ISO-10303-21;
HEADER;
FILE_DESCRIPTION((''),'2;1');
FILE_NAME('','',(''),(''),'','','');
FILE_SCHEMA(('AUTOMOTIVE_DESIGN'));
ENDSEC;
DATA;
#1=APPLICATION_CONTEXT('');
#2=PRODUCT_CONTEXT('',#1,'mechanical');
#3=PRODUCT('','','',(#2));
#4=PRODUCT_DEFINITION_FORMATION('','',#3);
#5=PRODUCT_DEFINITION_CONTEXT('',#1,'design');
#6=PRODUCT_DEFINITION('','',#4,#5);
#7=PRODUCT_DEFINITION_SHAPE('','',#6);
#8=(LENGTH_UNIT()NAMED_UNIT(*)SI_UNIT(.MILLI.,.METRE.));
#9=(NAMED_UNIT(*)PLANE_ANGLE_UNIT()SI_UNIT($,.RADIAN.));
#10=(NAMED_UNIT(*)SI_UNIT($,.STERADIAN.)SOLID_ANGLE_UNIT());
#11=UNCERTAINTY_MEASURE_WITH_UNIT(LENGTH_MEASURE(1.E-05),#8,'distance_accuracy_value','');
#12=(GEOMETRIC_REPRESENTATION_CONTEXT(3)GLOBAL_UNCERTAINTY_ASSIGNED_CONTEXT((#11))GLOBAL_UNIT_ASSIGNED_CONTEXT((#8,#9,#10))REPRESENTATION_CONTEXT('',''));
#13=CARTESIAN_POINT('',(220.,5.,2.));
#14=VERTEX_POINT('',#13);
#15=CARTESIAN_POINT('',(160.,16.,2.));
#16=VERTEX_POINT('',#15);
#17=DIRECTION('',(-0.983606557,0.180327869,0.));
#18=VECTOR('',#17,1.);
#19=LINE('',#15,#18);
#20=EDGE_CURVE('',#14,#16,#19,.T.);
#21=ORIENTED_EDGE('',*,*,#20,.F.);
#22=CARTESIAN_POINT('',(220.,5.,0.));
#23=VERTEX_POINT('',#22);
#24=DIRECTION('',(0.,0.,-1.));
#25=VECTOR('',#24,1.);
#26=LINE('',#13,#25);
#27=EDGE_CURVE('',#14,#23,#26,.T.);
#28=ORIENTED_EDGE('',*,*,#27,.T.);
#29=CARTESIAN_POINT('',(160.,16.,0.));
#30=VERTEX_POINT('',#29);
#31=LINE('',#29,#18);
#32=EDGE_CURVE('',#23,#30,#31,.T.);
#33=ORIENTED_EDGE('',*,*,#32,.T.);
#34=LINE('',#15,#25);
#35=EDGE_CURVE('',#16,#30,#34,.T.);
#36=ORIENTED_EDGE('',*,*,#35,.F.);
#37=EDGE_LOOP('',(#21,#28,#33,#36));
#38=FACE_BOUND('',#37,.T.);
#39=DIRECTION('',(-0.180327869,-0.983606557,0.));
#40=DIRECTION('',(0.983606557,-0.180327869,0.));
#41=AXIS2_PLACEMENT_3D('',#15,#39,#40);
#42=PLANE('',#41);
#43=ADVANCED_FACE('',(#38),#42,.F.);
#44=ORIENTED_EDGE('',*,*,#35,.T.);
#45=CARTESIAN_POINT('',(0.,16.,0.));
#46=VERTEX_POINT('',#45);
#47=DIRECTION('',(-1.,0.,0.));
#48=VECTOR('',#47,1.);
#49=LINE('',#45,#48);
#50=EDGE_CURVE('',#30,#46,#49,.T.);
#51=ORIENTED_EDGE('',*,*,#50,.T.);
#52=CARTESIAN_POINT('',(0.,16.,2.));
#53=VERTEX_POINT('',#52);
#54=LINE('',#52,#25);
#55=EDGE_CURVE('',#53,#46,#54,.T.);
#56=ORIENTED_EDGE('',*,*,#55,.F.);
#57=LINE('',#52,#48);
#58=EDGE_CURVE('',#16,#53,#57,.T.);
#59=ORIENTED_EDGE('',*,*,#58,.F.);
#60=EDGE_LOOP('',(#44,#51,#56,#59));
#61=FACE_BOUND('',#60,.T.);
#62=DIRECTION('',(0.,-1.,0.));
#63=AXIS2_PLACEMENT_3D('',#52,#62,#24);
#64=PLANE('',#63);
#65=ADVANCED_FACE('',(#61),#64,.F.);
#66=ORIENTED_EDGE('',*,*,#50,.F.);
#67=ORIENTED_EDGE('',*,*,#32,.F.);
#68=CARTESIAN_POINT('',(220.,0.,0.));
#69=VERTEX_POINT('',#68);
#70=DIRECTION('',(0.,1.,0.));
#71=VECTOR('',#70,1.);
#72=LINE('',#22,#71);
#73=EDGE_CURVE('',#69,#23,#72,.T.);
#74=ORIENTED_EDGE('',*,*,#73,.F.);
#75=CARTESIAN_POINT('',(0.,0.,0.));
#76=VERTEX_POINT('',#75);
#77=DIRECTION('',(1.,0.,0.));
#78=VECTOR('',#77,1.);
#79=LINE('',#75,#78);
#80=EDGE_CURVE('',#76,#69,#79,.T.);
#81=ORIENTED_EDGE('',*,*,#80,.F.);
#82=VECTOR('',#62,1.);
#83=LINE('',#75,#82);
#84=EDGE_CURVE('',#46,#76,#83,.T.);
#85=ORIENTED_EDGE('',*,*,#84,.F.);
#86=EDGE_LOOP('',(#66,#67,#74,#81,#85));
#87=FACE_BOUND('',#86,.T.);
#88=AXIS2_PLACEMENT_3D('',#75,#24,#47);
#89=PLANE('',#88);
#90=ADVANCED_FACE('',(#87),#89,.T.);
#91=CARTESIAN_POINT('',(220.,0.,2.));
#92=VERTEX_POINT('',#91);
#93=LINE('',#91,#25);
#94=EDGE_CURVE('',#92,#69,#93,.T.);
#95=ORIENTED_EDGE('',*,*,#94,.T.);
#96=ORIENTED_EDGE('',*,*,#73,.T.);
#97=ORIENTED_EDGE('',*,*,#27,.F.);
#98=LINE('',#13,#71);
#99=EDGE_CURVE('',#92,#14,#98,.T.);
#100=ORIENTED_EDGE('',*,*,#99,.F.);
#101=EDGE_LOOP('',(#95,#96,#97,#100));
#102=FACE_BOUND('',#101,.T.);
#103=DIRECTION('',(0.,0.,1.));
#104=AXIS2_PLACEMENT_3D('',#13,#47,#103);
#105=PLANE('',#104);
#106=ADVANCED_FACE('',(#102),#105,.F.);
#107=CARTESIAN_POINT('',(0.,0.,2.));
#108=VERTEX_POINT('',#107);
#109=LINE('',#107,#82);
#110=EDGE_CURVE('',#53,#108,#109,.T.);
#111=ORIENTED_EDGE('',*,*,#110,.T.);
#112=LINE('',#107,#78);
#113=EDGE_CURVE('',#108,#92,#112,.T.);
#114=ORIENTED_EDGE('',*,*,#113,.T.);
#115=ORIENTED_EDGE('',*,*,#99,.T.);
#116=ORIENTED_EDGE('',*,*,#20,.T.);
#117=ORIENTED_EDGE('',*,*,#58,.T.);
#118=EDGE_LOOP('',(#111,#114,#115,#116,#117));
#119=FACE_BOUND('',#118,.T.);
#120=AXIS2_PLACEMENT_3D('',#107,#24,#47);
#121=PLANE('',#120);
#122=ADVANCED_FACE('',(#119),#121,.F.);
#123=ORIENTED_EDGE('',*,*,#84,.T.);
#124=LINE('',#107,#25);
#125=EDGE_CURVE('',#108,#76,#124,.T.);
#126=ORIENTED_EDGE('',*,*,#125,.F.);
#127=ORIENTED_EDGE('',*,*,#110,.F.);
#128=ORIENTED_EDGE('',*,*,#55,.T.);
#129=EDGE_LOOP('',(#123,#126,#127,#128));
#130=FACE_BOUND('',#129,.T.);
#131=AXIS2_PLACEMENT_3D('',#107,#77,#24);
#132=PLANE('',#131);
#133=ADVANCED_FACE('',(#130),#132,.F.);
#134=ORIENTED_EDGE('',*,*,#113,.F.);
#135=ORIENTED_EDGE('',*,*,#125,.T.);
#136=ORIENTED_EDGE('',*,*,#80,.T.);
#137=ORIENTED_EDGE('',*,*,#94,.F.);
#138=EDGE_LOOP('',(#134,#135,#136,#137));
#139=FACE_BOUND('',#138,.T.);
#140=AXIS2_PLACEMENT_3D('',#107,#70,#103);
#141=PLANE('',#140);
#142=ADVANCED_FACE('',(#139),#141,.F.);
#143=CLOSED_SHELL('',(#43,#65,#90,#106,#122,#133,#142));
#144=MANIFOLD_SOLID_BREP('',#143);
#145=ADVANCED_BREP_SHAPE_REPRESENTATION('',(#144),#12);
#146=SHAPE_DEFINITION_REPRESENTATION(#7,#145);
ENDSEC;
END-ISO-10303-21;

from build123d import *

# Parameters (mm, degrees)
BOSS_EXTRU_1_DEPTH = 2


with BuildPart() as part:
    # Esquisse1 → Boss.-Extru.1 (new body)
    with BuildSketch(Plane.XY):
        Polygon((0, 0), (220, 0), (220, 5), (160, 16), (0, 16), align=None)
    extrude(amount=BOSS_EXTRU_1_DEPTH)


solid = part.part
